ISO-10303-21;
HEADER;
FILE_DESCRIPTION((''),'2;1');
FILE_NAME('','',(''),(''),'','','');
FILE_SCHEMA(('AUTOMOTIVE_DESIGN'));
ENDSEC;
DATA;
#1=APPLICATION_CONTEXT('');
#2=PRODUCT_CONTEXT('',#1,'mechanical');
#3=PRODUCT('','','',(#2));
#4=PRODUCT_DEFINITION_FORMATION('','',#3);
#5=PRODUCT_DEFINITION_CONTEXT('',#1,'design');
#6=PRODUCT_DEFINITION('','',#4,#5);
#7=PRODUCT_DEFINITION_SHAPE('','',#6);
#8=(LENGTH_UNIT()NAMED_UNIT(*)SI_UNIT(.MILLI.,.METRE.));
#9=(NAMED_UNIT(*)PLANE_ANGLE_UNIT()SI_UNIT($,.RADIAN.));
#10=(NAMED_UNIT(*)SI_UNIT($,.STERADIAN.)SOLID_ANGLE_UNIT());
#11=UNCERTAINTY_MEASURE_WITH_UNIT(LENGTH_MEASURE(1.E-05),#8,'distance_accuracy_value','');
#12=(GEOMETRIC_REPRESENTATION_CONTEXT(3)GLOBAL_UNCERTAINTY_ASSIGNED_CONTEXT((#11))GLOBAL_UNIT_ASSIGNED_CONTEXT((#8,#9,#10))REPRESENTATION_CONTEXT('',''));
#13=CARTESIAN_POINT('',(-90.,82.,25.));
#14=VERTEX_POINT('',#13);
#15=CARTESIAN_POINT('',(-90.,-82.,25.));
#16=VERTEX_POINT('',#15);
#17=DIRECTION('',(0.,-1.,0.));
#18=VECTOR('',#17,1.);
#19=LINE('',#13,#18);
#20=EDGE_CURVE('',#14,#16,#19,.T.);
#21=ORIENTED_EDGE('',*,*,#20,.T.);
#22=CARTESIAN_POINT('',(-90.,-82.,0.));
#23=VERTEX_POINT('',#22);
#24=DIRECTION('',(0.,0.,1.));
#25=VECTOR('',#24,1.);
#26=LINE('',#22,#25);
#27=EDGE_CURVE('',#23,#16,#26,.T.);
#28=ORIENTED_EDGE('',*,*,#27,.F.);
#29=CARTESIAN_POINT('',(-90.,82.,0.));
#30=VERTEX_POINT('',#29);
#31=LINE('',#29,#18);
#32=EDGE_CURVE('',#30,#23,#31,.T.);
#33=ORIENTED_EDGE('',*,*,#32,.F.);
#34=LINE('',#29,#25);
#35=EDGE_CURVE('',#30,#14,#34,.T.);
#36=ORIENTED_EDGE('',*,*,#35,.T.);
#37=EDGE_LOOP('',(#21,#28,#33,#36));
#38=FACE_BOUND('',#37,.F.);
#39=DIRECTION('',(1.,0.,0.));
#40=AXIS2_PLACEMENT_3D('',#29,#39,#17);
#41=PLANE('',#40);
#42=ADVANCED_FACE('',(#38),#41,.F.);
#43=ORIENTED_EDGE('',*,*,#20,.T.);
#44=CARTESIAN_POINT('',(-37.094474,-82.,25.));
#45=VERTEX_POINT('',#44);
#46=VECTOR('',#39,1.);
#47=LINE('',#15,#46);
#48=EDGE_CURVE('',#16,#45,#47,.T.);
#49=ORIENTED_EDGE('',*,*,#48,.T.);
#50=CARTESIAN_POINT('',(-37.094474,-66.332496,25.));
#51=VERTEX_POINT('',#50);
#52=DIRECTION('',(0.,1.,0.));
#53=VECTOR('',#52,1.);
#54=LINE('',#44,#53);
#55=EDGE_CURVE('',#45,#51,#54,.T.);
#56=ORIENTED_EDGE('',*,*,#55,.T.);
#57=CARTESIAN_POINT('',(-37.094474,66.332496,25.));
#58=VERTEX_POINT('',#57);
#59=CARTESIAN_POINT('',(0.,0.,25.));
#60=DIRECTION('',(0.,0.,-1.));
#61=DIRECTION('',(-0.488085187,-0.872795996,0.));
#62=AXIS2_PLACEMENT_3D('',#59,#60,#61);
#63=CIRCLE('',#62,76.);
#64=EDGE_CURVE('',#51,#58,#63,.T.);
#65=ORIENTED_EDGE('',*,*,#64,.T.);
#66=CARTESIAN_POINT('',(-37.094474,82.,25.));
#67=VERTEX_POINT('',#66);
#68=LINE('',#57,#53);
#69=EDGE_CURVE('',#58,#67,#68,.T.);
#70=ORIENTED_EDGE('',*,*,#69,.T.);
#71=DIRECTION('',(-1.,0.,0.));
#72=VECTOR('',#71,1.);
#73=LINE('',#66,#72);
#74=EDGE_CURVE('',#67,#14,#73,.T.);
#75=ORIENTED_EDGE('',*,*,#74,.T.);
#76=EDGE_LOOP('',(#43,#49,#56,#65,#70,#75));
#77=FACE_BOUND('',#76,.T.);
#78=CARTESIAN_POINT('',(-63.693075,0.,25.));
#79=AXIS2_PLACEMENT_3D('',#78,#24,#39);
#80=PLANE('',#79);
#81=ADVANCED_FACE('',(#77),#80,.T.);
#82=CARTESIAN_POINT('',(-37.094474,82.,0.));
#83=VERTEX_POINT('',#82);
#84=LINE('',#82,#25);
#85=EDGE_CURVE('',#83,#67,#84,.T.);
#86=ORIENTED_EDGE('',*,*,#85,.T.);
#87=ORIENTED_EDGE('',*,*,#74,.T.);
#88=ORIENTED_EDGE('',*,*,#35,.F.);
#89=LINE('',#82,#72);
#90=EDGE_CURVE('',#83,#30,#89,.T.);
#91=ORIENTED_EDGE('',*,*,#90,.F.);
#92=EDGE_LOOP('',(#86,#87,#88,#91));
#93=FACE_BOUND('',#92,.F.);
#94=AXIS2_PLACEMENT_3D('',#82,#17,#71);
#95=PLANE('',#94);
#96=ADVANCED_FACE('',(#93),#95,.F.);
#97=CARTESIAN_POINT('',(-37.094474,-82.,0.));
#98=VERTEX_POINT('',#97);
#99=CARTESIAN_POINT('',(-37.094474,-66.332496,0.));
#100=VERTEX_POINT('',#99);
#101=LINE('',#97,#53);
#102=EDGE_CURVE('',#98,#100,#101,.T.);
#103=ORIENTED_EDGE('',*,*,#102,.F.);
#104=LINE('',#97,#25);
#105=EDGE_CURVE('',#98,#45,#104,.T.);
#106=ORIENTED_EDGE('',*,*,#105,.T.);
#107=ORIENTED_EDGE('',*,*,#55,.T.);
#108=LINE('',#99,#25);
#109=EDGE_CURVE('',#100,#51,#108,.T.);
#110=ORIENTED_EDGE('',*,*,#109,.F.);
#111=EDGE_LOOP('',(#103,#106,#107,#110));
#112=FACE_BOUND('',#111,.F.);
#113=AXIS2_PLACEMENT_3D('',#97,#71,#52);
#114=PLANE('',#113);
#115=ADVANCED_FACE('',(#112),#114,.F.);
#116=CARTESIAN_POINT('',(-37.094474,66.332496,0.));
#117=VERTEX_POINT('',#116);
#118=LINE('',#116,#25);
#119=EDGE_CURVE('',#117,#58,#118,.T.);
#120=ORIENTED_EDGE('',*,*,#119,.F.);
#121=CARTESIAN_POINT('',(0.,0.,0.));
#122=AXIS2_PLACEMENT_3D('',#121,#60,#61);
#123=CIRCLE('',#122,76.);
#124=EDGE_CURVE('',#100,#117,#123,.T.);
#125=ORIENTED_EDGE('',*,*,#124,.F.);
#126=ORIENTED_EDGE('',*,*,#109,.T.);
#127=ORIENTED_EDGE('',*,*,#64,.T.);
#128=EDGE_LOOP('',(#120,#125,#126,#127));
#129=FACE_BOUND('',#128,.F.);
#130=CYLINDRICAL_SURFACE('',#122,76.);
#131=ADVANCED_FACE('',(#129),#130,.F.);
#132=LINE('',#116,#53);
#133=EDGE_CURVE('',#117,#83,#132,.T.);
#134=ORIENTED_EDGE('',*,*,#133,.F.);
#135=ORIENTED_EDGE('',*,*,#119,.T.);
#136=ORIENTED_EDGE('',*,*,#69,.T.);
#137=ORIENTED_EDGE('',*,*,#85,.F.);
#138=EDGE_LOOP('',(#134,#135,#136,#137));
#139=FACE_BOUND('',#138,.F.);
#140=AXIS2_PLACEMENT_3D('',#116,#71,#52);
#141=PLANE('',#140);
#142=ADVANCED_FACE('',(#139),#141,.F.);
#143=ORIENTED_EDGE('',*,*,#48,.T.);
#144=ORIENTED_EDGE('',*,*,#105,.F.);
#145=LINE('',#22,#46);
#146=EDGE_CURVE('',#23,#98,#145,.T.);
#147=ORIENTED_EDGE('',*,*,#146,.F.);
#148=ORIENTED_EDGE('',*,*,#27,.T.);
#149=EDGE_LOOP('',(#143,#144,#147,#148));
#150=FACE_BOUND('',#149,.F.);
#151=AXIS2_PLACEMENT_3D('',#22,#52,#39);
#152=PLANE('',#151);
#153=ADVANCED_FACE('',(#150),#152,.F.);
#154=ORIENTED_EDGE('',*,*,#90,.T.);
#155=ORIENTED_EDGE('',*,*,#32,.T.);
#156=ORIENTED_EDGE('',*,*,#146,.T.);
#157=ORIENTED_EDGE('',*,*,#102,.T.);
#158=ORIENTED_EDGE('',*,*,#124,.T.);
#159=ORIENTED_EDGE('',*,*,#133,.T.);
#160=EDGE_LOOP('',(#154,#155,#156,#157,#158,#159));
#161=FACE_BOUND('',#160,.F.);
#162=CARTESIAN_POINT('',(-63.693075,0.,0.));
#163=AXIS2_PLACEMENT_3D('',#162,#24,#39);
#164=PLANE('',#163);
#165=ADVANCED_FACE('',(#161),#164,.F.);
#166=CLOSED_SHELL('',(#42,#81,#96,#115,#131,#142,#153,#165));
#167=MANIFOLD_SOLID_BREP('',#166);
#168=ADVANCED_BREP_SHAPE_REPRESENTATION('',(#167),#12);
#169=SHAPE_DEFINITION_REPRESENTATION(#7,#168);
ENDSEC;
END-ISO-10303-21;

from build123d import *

# Parameters (mm, degrees)
F1_DEPTH = 25


with BuildPart() as f1:
    # F0 (on Top) → F1 (new body)
    with BuildSketch(Plane.XY):
        with BuildLine():
            ThreePointArc((-37.094474, -66.332496), (-76, 0), (-37.094474, 66.332496))
            Line((-37.094474, 66.332496), (-37.094474, 82))
            ThreePointArc((-37.094474, 82), (-75.625732, 48.792916), (-90, 0))
            ThreePointArc((-90, 0), (-75.625732, -48.792916), (-37.094474, -82))
            Line((-37.094474, -82), (-37.094474, -66.332496))
        make_face()
        with BuildLine():
            ThreePointArc((-90, 0), (-75.625732, 48.792916), (-37.094474, 82))
            Line((-37.094474, 82), (-90, 82))
            Line((-90, 82), (-90, 0))
        make_face()
        with BuildLine():
            Line((-90, -82), (-37.094474, -82))
            ThreePointArc((-37.094474, -82), (-75.625732, -48.792916), (-90, 0))
            Line((-90, 0), (-90, -82))
        make_face()
    extrude(amount=F1_DEPTH)


solid = f1.part
